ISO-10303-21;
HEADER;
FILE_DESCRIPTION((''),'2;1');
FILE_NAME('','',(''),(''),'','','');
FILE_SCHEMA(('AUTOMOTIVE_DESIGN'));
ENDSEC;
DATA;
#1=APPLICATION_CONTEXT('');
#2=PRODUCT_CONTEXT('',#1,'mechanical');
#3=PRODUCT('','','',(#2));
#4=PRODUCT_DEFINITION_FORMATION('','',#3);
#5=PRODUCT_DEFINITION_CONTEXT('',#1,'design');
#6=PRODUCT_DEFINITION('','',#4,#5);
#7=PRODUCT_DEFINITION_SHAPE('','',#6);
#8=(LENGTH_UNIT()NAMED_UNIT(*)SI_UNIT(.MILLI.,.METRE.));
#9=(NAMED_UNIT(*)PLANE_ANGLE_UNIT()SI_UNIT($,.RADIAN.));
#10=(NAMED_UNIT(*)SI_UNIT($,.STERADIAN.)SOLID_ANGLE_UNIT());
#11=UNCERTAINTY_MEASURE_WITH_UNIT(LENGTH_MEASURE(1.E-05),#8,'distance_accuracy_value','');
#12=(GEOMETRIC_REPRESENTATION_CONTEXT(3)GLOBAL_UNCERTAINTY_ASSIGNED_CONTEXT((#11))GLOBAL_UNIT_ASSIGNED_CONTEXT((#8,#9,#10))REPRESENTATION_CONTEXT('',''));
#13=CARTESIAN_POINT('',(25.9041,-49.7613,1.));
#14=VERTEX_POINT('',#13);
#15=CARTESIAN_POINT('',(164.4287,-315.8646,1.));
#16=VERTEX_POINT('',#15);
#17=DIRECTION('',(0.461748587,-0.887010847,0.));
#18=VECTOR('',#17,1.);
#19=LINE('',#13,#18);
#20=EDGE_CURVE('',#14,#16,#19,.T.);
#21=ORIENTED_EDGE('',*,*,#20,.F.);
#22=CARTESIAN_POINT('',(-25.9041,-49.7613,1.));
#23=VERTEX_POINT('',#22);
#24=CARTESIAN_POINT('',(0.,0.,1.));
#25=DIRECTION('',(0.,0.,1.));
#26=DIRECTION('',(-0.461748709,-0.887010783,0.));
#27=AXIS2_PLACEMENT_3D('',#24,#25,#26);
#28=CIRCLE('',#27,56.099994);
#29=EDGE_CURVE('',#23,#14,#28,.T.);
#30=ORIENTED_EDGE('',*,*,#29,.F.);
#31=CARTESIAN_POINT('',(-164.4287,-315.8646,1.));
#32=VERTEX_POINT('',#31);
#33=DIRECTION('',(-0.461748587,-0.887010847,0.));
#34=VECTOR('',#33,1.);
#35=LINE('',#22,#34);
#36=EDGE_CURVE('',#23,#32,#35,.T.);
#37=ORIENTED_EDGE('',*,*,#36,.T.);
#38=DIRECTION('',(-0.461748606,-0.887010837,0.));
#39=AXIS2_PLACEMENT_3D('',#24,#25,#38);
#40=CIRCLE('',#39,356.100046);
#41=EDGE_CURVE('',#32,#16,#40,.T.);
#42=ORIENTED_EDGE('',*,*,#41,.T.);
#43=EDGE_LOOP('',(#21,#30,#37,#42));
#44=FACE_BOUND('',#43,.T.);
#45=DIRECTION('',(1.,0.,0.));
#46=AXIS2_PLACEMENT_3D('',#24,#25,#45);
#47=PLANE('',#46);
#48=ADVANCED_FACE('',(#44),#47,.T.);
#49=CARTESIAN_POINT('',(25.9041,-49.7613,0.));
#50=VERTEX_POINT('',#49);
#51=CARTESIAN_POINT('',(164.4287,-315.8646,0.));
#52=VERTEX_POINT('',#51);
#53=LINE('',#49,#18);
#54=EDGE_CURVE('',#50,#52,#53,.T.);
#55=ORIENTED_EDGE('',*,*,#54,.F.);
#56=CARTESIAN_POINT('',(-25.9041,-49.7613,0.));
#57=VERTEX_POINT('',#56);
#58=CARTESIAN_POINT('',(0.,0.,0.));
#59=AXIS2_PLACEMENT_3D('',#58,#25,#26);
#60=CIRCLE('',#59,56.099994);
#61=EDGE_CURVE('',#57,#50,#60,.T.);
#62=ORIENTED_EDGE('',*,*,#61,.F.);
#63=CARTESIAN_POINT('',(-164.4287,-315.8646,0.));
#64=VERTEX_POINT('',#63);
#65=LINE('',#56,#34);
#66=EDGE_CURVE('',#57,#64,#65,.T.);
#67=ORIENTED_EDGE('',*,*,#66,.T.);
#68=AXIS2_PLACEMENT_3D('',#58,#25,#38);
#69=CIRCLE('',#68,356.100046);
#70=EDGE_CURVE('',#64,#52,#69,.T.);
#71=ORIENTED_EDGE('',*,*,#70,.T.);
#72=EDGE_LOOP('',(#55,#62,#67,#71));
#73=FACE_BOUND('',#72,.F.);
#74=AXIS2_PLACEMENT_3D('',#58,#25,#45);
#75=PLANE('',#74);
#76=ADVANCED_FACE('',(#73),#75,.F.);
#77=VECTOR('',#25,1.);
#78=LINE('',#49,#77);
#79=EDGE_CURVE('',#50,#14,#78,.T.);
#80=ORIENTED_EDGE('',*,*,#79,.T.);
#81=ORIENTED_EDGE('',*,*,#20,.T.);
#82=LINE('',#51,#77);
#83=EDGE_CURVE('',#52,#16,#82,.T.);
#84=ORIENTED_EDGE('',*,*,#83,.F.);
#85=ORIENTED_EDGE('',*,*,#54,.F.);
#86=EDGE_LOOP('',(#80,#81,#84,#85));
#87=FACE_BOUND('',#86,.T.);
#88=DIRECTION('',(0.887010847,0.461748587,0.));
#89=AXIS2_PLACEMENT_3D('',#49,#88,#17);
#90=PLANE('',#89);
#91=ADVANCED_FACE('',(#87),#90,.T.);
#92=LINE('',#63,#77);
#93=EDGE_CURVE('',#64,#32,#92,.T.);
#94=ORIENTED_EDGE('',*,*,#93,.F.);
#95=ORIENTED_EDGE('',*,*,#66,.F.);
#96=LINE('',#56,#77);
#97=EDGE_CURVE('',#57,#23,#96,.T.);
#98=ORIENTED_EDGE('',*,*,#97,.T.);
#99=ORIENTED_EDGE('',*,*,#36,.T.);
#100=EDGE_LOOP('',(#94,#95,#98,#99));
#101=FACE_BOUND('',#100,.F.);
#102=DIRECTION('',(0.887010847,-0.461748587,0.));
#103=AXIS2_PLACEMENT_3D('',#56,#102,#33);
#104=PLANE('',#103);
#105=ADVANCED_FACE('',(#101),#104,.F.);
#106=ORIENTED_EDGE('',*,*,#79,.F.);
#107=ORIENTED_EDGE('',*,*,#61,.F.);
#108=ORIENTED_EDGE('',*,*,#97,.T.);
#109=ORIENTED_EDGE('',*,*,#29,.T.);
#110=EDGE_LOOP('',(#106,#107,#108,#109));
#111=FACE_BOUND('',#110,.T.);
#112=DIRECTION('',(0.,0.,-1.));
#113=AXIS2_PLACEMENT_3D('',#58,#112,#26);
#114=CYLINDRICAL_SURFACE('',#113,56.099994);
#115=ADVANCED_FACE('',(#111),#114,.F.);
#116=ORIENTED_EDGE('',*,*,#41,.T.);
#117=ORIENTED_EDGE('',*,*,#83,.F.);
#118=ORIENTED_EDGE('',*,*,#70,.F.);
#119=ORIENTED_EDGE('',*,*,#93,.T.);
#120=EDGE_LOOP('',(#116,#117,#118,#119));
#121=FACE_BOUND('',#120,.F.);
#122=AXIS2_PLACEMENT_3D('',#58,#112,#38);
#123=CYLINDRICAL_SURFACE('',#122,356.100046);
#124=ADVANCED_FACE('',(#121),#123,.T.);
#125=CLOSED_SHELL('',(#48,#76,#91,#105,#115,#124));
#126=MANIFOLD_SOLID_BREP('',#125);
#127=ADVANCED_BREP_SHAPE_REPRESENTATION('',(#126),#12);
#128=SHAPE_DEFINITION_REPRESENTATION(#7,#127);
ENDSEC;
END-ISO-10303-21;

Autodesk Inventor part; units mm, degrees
ref_plane "YZ Plane" through (0, 0, 0) normal (1, 0, 0) x (0, 1, 0)
ref_plane "XZ Plane" through (0, 0, 0) normal (0, 1, 0) x (-1, 0, 0)
ref_plane "XY Plane" through (0, 0, 0) normal (0, 0, 1) x (1, 0, 0)
sketch "Sketch1" plane through (0, 0, 0) normal (0, 0, 1) x (1, 0, 0)
  arc A0 (-25.9041, -49.7613) -> (25.9041, -49.7613) centre (0, 0) ccw
  arc A1 (-164.4287, -315.8646) -> (164.4287, -315.8646) centre (0, 0) ccw
  line L0 (-25.9041, -49.7613) -> (-164.4287, -315.8646)
  line L1 (0, 0) -> (356.1, 0) construction
  line L2 (25.9041, -49.7613) -> (164.4287, -315.8646)
  line L3 (0, 0) -> (356.1, 0) construction
  dimension "d0" = 112.2
  dimension "d1" = 712.2
  dimension "d2" = 117.5
  dimension "d3" = 62.5
extrude "Extrusion1" add sketch "Sketch1" along normal blind 1
properties part number "us-plane" material "Leather, Dark Brown"
